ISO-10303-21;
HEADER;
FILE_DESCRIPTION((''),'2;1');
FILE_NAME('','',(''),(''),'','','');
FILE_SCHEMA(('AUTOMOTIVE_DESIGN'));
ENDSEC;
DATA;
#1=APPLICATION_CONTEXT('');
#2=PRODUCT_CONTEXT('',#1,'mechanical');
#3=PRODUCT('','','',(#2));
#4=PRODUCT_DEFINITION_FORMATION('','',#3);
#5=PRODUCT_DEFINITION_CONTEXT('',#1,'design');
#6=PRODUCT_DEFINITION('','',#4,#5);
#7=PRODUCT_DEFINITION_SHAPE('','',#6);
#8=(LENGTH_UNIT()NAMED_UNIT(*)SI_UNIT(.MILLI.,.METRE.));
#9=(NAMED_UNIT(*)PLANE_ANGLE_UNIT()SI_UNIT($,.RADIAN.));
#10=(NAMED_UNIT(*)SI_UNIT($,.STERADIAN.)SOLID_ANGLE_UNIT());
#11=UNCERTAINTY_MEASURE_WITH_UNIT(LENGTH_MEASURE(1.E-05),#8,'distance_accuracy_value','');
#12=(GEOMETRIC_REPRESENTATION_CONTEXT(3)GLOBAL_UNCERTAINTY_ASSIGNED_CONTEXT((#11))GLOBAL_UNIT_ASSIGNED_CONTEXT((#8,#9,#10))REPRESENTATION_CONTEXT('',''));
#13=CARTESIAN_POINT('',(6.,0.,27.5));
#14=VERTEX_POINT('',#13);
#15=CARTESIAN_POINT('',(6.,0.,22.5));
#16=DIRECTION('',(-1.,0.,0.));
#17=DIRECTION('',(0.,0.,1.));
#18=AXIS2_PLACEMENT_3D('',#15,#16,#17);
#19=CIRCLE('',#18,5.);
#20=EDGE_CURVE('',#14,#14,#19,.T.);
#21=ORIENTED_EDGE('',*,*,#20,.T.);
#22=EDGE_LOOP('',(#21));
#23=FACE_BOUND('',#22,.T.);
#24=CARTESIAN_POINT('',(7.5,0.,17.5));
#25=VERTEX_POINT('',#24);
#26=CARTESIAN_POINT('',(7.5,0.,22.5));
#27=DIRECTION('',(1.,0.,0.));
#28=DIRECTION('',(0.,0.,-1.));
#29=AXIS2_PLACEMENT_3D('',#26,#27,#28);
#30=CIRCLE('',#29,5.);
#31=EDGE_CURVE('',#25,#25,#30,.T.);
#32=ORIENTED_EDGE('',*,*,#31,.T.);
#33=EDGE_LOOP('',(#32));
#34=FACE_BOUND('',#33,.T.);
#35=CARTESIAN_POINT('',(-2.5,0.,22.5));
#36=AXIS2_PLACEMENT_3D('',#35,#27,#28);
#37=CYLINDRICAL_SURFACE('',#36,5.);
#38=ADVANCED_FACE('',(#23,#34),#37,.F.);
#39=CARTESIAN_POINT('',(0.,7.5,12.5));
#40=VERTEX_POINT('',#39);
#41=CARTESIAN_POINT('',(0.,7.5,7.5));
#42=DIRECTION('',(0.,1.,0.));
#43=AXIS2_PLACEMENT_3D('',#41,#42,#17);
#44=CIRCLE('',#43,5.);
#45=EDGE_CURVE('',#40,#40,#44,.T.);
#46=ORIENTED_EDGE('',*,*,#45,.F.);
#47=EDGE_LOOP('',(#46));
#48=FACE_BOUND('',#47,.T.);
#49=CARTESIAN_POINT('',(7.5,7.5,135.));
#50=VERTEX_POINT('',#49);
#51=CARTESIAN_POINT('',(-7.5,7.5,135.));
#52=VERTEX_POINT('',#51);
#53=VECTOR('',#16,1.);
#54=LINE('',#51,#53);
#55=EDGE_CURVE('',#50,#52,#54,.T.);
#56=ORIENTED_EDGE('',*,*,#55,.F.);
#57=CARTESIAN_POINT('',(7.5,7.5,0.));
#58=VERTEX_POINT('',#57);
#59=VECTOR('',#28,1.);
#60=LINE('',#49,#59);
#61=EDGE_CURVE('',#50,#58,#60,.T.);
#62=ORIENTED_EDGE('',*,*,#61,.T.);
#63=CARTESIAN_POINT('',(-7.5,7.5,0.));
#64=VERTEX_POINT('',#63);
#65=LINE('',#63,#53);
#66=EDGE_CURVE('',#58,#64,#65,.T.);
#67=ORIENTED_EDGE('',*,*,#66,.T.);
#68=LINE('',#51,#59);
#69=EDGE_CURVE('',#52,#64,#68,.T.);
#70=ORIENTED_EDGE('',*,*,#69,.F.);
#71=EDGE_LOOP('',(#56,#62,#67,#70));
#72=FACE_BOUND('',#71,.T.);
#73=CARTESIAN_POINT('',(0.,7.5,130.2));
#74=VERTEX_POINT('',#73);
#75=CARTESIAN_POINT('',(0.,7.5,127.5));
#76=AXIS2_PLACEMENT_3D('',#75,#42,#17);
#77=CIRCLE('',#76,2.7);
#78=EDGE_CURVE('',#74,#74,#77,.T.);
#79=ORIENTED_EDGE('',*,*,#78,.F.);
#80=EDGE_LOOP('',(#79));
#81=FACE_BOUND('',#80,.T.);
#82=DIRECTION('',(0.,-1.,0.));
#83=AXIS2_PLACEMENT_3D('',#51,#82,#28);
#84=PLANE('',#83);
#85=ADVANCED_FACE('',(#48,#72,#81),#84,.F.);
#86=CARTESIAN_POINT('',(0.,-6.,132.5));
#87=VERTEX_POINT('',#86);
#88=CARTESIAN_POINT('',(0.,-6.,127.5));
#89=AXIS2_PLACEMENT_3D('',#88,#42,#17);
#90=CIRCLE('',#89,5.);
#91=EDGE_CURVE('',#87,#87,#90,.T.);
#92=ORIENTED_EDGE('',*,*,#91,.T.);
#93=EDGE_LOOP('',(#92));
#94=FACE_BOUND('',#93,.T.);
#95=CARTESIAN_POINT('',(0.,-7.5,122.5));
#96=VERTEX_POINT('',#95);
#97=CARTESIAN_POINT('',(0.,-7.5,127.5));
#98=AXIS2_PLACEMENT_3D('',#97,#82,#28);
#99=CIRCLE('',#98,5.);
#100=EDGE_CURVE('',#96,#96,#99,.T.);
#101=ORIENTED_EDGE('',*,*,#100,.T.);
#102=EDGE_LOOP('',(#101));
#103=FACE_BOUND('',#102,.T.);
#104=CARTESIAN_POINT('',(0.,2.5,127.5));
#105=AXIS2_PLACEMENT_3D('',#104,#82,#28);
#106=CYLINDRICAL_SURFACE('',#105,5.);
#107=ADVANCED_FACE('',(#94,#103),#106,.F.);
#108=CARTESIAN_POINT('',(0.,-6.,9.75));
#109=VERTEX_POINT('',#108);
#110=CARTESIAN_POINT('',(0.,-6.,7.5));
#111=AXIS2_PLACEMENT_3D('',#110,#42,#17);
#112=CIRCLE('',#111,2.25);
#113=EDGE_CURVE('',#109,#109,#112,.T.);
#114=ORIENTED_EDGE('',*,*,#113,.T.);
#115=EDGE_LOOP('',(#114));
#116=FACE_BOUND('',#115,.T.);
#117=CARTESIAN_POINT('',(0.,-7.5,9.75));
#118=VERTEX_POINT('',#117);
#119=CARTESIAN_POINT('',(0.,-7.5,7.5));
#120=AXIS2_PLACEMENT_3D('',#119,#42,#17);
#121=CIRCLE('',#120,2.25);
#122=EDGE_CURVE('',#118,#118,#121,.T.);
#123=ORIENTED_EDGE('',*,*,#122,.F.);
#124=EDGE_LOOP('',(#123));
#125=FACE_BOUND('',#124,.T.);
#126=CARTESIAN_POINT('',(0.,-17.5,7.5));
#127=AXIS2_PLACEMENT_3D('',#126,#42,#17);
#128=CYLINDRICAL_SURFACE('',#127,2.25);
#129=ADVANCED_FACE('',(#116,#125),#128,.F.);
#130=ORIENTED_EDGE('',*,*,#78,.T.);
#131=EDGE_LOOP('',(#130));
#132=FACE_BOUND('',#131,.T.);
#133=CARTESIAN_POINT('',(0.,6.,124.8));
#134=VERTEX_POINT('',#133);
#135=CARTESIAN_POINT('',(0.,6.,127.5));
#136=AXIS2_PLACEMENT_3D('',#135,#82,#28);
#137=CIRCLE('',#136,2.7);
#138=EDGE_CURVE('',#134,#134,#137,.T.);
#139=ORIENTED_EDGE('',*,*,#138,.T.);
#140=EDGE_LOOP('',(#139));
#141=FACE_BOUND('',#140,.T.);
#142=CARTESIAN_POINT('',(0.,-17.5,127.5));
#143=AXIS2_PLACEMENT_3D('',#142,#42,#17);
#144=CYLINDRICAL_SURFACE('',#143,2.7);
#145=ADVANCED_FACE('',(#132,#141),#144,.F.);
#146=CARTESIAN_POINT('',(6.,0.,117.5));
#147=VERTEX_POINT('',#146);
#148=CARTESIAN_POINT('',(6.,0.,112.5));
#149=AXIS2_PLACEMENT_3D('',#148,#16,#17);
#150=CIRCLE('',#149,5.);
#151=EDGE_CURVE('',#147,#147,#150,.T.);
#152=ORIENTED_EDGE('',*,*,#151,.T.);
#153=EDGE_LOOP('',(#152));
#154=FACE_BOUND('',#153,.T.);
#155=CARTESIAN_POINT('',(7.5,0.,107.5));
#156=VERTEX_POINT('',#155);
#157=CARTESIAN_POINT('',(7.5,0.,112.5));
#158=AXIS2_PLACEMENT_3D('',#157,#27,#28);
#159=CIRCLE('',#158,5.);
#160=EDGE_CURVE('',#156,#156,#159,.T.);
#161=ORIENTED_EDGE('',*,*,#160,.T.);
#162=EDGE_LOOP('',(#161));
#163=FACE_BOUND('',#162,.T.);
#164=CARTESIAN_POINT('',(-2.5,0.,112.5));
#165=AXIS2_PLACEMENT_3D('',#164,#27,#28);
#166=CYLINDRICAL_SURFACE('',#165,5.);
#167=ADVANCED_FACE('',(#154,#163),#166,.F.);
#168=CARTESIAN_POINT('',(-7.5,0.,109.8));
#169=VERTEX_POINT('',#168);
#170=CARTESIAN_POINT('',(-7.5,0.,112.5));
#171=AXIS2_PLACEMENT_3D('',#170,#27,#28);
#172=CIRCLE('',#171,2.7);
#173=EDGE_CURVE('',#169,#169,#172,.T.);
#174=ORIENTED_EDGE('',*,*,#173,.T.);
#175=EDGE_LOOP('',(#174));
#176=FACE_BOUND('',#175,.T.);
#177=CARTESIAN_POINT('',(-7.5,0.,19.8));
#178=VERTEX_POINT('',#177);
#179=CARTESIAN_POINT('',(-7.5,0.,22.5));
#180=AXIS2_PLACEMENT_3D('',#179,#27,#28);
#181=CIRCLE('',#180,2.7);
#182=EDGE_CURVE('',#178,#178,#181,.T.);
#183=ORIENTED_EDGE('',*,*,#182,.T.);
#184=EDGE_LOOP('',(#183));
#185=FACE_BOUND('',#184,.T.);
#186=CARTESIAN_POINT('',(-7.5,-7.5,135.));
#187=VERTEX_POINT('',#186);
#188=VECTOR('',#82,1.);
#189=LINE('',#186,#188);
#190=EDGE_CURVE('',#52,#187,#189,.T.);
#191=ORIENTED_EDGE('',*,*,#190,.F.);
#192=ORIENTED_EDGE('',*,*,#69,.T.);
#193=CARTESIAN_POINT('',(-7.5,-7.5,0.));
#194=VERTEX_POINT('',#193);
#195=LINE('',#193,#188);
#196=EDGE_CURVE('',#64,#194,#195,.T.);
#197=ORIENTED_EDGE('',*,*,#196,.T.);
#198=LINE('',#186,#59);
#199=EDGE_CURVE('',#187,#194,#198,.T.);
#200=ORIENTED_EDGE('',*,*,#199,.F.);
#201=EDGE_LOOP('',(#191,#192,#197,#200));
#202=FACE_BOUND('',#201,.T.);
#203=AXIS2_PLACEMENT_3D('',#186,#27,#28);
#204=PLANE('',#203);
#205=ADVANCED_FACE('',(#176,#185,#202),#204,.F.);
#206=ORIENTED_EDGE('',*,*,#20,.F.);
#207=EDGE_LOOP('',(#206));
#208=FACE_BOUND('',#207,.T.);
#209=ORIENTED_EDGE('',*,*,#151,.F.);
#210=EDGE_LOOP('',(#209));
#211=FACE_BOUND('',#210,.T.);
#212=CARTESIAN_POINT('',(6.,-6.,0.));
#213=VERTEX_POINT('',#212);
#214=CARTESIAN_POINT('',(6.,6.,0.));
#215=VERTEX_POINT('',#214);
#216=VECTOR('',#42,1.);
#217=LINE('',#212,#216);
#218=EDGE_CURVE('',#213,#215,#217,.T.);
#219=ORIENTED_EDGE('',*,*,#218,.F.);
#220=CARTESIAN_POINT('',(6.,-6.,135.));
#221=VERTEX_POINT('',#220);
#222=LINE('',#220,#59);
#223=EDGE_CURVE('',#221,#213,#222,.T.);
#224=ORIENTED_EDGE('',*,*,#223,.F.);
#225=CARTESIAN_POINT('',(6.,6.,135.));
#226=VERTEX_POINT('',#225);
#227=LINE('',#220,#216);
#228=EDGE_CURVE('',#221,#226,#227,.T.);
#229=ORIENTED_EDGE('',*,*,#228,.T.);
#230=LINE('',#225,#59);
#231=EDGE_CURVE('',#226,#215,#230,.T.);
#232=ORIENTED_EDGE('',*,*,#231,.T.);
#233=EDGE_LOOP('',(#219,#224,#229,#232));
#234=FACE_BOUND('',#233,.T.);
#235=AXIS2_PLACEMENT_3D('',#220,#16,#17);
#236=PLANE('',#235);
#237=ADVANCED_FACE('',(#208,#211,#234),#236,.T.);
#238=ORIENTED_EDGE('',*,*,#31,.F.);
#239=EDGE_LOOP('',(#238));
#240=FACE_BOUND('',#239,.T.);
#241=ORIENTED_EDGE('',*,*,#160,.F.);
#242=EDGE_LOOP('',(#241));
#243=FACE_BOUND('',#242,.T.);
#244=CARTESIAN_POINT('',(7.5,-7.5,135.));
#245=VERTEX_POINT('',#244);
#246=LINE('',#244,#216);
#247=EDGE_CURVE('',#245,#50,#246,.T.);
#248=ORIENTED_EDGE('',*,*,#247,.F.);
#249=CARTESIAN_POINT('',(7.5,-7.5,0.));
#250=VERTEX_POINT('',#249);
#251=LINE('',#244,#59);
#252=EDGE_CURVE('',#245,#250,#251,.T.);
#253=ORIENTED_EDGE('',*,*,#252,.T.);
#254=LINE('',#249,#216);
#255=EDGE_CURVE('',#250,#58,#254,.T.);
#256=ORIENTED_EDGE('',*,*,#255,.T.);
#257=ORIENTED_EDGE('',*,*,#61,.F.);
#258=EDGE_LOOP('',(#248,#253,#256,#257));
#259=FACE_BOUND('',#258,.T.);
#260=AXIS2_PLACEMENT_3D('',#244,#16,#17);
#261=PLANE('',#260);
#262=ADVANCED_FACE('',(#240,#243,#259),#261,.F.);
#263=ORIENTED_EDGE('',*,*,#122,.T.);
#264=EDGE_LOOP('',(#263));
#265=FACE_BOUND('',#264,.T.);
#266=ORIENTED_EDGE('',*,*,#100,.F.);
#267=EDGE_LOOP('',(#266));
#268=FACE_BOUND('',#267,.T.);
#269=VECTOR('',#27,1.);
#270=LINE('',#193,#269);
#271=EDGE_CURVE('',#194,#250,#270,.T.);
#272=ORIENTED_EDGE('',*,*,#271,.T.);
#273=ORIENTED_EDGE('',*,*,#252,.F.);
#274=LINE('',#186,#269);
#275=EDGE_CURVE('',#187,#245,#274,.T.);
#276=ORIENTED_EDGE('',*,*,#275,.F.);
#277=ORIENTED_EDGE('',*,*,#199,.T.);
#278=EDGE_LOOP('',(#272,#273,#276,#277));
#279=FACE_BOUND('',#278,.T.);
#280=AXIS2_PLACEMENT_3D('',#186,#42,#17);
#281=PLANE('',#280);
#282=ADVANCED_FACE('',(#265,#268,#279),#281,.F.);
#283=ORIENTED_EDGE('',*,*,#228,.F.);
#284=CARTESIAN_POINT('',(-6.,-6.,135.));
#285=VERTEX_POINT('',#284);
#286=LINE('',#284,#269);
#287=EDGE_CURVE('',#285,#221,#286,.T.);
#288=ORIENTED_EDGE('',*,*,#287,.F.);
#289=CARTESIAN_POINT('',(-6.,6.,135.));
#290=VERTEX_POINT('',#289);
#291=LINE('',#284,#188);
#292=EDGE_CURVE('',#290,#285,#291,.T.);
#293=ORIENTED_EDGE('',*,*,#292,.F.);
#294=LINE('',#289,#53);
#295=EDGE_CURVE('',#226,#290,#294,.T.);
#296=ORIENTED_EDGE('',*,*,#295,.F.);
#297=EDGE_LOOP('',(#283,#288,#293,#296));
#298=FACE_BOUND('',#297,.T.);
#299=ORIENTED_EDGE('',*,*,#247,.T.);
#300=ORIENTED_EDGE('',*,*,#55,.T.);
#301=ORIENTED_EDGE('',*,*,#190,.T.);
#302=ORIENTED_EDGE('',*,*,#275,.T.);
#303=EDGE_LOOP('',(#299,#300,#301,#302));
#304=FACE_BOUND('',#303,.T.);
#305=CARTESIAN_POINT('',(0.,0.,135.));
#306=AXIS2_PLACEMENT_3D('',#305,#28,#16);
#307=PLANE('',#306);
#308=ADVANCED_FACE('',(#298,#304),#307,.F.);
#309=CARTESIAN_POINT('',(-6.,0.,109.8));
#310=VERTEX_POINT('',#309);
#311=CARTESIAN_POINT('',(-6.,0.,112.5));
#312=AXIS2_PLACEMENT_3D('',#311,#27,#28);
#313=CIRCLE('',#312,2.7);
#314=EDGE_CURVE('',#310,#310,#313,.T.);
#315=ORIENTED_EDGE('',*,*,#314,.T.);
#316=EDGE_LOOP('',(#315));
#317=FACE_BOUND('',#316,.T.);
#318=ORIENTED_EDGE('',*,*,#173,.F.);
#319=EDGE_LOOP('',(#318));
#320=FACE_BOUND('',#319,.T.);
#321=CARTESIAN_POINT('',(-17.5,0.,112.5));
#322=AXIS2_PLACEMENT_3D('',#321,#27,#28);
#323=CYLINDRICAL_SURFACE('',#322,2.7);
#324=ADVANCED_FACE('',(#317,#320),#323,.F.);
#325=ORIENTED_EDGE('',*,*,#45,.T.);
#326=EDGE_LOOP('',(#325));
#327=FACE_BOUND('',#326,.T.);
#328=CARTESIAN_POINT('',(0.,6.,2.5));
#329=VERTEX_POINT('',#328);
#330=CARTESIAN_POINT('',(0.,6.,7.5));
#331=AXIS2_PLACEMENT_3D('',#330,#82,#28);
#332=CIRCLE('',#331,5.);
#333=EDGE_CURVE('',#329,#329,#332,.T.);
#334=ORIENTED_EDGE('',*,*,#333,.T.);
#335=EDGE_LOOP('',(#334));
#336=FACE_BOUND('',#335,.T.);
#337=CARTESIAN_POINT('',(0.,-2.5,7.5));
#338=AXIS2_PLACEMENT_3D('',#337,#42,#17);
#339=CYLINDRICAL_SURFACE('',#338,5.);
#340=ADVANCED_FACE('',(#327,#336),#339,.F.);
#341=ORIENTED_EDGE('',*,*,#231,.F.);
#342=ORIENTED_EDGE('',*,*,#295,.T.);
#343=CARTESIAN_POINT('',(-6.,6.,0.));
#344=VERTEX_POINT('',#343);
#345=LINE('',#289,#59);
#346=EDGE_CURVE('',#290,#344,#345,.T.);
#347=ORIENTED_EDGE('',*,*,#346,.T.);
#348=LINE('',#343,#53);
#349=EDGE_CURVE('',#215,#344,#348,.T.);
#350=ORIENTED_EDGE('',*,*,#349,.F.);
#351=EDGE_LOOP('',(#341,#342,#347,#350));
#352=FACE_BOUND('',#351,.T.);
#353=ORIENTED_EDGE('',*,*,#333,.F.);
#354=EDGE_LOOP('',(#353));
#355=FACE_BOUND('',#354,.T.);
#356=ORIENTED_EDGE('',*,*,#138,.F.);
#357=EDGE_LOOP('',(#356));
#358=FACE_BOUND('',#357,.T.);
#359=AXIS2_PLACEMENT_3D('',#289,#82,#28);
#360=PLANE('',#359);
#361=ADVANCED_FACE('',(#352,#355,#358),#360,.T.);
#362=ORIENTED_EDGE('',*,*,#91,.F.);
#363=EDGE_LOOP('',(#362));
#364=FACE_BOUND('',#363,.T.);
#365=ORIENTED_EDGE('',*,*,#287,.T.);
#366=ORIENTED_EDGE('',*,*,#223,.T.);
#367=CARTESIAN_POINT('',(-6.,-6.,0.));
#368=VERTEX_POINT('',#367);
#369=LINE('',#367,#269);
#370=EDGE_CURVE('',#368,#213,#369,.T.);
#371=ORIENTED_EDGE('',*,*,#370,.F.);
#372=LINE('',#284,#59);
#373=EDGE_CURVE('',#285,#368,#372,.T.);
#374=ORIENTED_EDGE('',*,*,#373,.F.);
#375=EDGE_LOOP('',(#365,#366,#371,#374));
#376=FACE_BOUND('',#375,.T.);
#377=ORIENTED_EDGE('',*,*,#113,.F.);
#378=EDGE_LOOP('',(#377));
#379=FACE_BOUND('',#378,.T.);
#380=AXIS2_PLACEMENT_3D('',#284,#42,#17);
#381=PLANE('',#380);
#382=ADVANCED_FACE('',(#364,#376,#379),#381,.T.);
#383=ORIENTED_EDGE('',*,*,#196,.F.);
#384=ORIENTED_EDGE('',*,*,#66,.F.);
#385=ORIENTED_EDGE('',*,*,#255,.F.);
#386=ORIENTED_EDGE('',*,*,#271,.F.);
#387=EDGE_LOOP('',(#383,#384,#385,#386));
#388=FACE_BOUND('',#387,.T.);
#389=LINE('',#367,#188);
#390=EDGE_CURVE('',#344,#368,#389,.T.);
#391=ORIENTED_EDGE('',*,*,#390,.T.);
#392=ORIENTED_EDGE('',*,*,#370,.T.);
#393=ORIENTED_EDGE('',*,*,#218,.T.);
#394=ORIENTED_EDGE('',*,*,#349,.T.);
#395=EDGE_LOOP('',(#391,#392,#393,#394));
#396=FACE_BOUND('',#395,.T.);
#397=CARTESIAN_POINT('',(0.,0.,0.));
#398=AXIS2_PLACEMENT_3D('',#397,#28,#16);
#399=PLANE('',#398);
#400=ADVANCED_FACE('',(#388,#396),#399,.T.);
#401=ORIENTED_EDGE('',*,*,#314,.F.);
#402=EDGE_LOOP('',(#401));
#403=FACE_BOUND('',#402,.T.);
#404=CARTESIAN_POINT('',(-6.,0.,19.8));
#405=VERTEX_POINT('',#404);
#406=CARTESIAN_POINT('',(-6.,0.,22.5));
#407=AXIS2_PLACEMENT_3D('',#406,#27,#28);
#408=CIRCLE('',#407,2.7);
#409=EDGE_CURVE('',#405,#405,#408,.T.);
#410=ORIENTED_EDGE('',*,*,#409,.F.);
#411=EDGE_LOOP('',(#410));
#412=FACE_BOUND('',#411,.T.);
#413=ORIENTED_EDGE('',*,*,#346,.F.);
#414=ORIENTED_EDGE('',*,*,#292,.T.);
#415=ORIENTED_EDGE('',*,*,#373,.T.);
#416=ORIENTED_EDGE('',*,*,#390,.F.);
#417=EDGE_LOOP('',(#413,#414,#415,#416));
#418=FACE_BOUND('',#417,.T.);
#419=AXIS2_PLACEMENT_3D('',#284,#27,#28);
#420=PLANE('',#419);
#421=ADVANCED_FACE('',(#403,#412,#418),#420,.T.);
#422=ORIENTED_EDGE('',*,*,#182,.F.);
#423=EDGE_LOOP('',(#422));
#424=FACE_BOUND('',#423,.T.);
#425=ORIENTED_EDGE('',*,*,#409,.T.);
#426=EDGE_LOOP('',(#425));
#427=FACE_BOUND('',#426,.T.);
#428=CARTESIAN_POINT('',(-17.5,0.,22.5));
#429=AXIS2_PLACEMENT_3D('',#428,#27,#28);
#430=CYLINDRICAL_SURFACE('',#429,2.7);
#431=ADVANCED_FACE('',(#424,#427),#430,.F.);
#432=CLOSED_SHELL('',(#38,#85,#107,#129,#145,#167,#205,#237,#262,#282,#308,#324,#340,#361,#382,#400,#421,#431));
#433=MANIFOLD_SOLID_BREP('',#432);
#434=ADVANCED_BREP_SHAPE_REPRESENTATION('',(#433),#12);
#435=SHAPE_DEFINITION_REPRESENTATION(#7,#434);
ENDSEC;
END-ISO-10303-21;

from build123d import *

# Parameters (mm, degrees)
SKETCH_1_W          = 15
SKETCH_1_H          = 15
SKETCH_1_W_2        = 12
SKETCH_1_H_2        = 12
EXTRUDE_1_DEPTH     = 135
SKETCH_2_R          = 2.7
CUT_EXTRUDE_1_DEPTH = 25
SKETCH_3_R          = 2.25
SKETCH_3_R_2        = 2.7
CUT_EXTRUDE_2_DEPTH = 25
SKETCH_4_R          = 5
CUT_EXTRUDE_3_DEPTH = 10
SKETCH_5_R          = 5
CUT_EXTRUDE_4_DEPTH = 10
SKETCH_6_R          = 5
CUT_EXTRUDE_5_DEPTH = 10


with BuildPart() as part:
    # ｽｹｯﾁ1 → ﾎﾞｽ - 押し出し1 (new body)
    with BuildSketch(Plane.XY):
        Rectangle(SKETCH_1_W, SKETCH_1_H)
        Rectangle(SKETCH_1_W_2, SKETCH_1_H_2, mode=Mode.SUBTRACT)
    extrude(amount=EXTRUDE_1_DEPTH)

    # ｽｹｯﾁ2 → ｶｯﾄ - 押し出し1 (cut)
    with BuildSketch(Plane(origin=(7.5, 0, 0), x_dir=(0, 0, -1), z_dir=(1, 0, 0))):
        with Locations((-112.5, 0)):
            Circle(SKETCH_2_R)
        with Locations((-22.5, 0)):
            Circle(SKETCH_2_R)
    extrude(amount=-CUT_EXTRUDE_1_DEPTH, mode=Mode.SUBTRACT)

    # ｽｹｯﾁ3 → ｶｯﾄ - 押し出し2 (cut)
    with BuildSketch(Plane(origin=(0, 7.5, 0), x_dir=(1, 0, 0), z_dir=(0, 1, 0))):
        with Locations((0, -7.5)):
            Circle(SKETCH_3_R)
        with Locations((0, -127.5)):
            Circle(SKETCH_3_R_2)
    extrude(amount=-CUT_EXTRUDE_2_DEPTH, mode=Mode.SUBTRACT)

    # ｽｹｯﾁ4 → ｶｯﾄ - 押し出し3 (cut)
    with BuildSketch(Plane(origin=(0, 7.5, 0), x_dir=(1, 0, 0), z_dir=(0, 1, 0))):
        with Locations((0, -7.5)):
            Circle(SKETCH_4_R)
    extrude(amount=-CUT_EXTRUDE_3_DEPTH, mode=Mode.SUBTRACT)

    # ｽｹｯﾁ5 → ｶｯﾄ - 押し出し4 (cut)
    with BuildSketch(Plane(origin=(7.5, 0, 0), x_dir=(0, 0, -1), z_dir=(1, 0, 0))):
        with Locations((-22.5, 0)):
            Circle(SKETCH_5_R)
        with Locations((-112.5, 0)):
            Circle(SKETCH_5_R)
    extrude(amount=-CUT_EXTRUDE_4_DEPTH, mode=Mode.SUBTRACT)

    # ｽｹｯﾁ6 → ｶｯﾄ - 押し出し5 (cut)
    with BuildSketch(Plane(origin=(0, -7.5, 0), x_dir=(-1, 0, 0), z_dir=(0, -1, 0))):
        with Locations((0, -127.5)):
            Circle(SKETCH_6_R)
    extrude(amount=-CUT_EXTRUDE_5_DEPTH, mode=Mode.SUBTRACT)


solid = part.part
